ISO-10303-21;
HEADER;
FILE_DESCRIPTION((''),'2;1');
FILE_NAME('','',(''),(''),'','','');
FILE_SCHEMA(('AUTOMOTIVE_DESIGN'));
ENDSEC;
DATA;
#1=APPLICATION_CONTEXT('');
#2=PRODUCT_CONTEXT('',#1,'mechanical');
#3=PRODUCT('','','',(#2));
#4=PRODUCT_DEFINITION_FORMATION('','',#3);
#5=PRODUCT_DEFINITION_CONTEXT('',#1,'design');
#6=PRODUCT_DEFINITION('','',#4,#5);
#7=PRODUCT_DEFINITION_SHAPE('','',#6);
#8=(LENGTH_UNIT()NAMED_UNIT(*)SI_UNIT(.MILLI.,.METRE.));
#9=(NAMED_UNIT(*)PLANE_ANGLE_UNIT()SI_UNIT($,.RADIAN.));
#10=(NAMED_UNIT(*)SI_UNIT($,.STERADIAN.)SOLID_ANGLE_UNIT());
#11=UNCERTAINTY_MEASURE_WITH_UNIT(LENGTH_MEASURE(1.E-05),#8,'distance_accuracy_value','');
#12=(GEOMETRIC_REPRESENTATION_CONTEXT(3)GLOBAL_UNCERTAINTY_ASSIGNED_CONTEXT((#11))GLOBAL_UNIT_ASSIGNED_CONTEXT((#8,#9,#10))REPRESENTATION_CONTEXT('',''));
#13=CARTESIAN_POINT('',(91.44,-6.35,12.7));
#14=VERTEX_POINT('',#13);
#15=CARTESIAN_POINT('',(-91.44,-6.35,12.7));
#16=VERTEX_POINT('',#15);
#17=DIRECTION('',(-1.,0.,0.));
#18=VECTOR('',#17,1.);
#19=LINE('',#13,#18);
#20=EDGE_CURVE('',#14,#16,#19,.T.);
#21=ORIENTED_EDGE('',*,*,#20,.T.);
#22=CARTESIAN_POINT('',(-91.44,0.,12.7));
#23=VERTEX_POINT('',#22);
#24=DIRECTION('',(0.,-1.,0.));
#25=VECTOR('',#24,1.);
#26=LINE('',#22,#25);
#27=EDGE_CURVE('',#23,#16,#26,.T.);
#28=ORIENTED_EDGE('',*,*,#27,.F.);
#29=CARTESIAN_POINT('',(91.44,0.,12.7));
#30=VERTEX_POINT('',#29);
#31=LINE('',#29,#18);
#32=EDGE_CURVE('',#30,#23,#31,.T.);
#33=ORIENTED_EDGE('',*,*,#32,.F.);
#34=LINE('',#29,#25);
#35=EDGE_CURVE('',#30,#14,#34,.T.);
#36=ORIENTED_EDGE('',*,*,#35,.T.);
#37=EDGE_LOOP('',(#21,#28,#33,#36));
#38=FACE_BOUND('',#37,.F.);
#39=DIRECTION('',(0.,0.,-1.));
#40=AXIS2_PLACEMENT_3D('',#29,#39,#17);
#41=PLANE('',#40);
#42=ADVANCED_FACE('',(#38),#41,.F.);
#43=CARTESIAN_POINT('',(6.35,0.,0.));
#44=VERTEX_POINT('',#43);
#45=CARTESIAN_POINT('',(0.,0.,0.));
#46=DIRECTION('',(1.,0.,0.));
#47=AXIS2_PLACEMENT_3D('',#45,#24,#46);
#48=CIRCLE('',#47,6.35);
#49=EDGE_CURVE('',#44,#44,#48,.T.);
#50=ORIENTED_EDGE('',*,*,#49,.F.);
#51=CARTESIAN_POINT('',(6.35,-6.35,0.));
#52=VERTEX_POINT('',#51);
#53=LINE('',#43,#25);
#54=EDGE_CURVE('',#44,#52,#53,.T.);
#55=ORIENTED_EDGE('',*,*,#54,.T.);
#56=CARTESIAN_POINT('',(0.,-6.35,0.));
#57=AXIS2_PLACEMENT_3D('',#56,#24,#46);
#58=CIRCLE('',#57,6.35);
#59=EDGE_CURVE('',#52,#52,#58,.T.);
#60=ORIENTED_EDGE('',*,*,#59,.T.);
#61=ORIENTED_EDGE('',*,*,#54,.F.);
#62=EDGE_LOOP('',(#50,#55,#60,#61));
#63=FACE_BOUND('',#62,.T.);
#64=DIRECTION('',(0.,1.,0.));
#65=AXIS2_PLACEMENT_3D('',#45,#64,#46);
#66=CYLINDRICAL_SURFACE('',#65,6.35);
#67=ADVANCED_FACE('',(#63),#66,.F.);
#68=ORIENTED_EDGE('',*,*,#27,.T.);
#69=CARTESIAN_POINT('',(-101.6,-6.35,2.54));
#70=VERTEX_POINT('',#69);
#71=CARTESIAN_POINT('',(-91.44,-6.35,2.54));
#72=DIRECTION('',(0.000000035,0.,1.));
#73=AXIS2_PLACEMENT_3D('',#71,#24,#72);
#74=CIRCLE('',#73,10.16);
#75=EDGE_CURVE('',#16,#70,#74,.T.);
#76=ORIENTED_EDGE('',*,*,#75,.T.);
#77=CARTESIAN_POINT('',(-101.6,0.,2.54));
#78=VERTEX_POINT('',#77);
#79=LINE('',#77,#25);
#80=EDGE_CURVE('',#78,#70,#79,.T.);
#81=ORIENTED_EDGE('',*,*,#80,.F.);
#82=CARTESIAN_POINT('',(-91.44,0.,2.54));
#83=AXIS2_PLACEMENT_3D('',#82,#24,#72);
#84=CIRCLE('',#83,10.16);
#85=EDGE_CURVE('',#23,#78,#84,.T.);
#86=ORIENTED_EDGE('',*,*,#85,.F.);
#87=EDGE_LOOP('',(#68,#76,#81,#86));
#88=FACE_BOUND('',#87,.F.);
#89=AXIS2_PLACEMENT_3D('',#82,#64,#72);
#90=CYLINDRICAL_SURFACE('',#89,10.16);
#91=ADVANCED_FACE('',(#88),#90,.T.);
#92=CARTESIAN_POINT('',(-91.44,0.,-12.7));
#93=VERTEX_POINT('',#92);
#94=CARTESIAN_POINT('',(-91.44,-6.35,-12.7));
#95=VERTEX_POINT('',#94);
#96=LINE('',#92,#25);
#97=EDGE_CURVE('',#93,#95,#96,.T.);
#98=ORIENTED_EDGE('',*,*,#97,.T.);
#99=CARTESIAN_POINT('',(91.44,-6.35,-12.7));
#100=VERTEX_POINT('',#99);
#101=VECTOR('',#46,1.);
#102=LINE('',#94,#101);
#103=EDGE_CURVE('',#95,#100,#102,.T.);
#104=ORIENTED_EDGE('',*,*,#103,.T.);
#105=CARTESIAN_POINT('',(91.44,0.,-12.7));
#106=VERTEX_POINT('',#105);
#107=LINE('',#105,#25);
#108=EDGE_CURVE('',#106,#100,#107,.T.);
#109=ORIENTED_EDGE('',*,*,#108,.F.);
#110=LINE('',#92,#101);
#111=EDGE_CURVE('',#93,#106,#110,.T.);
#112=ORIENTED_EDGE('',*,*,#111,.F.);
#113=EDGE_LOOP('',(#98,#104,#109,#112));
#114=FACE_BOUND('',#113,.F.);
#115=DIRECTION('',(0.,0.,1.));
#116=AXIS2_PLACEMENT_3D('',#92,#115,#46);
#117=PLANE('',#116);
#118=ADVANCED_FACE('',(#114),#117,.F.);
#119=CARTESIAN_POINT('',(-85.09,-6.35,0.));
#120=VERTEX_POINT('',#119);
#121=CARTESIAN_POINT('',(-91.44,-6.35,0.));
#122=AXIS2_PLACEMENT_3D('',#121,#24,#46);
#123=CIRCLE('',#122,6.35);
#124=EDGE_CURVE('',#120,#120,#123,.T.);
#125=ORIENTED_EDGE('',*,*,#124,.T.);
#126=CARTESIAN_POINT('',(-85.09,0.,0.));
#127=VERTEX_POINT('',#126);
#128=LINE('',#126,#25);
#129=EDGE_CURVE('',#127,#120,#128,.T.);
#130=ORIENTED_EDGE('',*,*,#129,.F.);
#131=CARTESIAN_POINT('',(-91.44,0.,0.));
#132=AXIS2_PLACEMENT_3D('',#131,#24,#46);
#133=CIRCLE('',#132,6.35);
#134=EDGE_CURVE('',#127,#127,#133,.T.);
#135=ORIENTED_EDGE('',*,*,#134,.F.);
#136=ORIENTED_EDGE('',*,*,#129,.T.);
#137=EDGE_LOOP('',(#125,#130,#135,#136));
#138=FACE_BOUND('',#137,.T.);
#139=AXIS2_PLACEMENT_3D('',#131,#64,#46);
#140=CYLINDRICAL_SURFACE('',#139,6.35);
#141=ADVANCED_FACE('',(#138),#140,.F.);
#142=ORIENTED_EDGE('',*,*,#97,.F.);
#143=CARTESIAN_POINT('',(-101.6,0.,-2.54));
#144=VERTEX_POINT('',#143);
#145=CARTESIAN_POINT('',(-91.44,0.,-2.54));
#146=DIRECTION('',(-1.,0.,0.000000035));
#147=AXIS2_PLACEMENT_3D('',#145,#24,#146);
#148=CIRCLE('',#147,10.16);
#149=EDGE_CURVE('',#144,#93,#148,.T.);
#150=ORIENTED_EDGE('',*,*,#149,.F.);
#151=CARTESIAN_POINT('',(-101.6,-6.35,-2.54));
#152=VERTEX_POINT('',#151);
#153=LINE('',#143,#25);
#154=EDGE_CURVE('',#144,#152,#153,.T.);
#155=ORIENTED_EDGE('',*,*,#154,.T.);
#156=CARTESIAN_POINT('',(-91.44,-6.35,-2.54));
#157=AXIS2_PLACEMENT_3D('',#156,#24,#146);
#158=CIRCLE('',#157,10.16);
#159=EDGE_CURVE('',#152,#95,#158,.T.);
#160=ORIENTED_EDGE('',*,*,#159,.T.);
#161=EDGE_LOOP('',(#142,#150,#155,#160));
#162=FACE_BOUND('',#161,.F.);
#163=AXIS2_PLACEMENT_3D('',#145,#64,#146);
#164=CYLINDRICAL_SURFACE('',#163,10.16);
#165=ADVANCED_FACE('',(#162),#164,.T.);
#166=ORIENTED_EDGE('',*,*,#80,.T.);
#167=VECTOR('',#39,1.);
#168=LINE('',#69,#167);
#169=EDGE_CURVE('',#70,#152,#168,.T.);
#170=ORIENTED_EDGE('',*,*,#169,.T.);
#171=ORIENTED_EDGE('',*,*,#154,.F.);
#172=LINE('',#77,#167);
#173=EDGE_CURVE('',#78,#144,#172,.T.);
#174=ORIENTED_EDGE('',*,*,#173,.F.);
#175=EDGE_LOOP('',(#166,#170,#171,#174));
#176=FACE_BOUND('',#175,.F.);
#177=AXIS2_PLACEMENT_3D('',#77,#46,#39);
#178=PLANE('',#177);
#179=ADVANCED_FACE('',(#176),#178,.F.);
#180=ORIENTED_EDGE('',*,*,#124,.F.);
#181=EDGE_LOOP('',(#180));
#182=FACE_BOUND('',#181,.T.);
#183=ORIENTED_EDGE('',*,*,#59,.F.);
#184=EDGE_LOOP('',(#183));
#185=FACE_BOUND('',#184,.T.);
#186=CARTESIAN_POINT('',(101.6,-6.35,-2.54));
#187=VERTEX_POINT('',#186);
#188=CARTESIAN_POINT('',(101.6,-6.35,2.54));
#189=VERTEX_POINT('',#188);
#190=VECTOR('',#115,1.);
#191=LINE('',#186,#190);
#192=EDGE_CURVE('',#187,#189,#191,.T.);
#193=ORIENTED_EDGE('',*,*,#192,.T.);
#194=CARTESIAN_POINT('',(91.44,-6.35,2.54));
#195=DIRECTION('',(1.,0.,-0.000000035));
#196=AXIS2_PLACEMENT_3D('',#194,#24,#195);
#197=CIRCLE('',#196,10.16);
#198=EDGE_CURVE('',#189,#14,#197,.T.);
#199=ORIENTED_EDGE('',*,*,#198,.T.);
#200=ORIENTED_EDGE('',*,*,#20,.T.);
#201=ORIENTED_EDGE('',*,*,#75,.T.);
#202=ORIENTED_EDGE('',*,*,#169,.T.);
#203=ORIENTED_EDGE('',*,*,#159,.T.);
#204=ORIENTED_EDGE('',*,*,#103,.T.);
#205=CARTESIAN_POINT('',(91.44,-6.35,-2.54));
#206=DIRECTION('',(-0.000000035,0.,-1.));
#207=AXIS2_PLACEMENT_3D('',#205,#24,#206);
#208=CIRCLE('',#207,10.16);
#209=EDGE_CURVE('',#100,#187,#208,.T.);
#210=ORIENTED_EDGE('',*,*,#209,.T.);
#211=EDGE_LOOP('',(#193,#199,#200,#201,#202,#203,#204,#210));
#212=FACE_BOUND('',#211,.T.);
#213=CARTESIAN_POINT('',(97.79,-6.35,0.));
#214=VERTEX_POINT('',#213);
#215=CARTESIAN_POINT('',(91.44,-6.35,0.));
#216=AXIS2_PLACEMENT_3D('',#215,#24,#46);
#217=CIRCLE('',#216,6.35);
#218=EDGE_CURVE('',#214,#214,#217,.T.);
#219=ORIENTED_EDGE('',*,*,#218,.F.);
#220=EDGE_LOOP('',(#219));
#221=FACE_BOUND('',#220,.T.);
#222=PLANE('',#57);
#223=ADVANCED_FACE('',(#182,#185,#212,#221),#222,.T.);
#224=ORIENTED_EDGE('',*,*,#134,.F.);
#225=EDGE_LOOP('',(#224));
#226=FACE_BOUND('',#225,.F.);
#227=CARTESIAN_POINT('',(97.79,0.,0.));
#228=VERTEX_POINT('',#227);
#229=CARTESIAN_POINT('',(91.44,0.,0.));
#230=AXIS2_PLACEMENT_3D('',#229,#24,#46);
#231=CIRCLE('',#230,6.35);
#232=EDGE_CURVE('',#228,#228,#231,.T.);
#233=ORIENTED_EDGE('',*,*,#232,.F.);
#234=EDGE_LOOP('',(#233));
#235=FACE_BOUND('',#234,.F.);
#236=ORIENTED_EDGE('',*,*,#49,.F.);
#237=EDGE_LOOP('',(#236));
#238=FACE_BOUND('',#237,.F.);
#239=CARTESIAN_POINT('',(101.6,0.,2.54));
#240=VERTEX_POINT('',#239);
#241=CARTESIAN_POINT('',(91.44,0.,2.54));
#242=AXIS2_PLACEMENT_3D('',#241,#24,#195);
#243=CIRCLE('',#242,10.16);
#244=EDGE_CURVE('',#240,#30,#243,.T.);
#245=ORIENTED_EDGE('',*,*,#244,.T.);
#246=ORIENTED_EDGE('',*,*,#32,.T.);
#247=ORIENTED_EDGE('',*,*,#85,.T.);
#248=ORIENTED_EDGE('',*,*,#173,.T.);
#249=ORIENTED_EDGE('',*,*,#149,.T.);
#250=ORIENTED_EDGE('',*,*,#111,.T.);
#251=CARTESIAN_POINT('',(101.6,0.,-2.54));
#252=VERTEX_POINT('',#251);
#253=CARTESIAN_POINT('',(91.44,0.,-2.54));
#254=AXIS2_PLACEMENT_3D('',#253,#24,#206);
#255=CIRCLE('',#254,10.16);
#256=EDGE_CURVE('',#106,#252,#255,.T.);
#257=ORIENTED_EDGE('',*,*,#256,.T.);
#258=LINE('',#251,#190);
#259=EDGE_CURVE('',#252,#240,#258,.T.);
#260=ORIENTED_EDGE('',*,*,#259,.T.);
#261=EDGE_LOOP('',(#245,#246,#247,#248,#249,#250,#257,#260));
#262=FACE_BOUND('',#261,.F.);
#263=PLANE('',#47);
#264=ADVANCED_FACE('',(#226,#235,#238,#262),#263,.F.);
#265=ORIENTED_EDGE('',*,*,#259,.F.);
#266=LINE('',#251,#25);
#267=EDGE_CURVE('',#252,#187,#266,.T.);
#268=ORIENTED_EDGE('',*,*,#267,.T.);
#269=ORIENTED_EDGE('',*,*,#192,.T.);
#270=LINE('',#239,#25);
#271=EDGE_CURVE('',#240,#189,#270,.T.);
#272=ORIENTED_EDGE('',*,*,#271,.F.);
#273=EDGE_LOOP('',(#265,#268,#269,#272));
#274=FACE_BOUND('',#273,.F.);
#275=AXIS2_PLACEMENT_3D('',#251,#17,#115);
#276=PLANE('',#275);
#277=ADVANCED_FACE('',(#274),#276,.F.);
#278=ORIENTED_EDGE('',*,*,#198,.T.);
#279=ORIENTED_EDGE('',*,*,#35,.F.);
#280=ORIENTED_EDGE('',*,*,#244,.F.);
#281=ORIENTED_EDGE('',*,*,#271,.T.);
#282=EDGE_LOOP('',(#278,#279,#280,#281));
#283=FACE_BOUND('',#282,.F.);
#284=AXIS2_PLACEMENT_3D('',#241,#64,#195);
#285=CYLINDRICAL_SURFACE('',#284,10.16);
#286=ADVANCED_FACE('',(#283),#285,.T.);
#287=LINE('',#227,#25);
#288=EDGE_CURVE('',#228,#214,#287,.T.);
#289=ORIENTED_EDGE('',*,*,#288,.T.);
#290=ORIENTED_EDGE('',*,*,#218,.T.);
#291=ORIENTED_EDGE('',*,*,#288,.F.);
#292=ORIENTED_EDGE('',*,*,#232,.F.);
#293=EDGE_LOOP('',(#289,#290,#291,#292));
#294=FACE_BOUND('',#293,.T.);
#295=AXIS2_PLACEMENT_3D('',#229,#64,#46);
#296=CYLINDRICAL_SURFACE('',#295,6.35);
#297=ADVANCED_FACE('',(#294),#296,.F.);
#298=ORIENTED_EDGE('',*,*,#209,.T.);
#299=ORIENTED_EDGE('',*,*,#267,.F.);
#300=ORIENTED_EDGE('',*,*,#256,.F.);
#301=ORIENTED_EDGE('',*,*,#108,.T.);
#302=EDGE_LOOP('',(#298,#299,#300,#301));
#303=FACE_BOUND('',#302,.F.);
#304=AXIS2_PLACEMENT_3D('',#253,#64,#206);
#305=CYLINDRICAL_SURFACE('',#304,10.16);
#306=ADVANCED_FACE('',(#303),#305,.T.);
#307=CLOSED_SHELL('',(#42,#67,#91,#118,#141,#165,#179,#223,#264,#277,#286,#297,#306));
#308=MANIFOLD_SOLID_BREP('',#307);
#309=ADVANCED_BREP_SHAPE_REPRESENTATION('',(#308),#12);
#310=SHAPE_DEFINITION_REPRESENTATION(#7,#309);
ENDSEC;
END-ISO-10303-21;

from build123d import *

# Parameters (mm, degrees)
F0_R     = 6.35
F1_DEPTH = 6.35


with BuildPart() as f1:
    # F0 (on Front) → F1 (new body)
    with BuildSketch(Plane.XZ):
        with BuildLine():
            ThreePointArc((101.6, 2.54), (98.624205, 9.724205), (91.44, 12.7))
            Line((91.44, 12.7), (-91.44, 12.7))
            ThreePointArc((-91.44, 12.7), (-98.624205, 9.724205), (-101.6, 2.54))
            Line((-101.6, 2.54), (-101.6, -2.54))
            ThreePointArc((-101.6, -2.54), (-98.624205, -9.724205), (-91.44, -12.7))
            Line((-91.44, -12.7), (91.44, -12.7))
            ThreePointArc((91.44, -12.7), (98.624205, -9.724205), (101.6, -2.54))
            Line((101.6, -2.54), (101.6, 2.54))
        make_face()
        with Locations((-91.44, 0)):
            Circle(F0_R, mode=Mode.SUBTRACT)
        Circle(F0_R, mode=Mode.SUBTRACT)
        with Locations((91.44, 0)):
            Circle(F0_R, mode=Mode.SUBTRACT)
    extrude(amount=F1_DEPTH)


solid = f1.part
